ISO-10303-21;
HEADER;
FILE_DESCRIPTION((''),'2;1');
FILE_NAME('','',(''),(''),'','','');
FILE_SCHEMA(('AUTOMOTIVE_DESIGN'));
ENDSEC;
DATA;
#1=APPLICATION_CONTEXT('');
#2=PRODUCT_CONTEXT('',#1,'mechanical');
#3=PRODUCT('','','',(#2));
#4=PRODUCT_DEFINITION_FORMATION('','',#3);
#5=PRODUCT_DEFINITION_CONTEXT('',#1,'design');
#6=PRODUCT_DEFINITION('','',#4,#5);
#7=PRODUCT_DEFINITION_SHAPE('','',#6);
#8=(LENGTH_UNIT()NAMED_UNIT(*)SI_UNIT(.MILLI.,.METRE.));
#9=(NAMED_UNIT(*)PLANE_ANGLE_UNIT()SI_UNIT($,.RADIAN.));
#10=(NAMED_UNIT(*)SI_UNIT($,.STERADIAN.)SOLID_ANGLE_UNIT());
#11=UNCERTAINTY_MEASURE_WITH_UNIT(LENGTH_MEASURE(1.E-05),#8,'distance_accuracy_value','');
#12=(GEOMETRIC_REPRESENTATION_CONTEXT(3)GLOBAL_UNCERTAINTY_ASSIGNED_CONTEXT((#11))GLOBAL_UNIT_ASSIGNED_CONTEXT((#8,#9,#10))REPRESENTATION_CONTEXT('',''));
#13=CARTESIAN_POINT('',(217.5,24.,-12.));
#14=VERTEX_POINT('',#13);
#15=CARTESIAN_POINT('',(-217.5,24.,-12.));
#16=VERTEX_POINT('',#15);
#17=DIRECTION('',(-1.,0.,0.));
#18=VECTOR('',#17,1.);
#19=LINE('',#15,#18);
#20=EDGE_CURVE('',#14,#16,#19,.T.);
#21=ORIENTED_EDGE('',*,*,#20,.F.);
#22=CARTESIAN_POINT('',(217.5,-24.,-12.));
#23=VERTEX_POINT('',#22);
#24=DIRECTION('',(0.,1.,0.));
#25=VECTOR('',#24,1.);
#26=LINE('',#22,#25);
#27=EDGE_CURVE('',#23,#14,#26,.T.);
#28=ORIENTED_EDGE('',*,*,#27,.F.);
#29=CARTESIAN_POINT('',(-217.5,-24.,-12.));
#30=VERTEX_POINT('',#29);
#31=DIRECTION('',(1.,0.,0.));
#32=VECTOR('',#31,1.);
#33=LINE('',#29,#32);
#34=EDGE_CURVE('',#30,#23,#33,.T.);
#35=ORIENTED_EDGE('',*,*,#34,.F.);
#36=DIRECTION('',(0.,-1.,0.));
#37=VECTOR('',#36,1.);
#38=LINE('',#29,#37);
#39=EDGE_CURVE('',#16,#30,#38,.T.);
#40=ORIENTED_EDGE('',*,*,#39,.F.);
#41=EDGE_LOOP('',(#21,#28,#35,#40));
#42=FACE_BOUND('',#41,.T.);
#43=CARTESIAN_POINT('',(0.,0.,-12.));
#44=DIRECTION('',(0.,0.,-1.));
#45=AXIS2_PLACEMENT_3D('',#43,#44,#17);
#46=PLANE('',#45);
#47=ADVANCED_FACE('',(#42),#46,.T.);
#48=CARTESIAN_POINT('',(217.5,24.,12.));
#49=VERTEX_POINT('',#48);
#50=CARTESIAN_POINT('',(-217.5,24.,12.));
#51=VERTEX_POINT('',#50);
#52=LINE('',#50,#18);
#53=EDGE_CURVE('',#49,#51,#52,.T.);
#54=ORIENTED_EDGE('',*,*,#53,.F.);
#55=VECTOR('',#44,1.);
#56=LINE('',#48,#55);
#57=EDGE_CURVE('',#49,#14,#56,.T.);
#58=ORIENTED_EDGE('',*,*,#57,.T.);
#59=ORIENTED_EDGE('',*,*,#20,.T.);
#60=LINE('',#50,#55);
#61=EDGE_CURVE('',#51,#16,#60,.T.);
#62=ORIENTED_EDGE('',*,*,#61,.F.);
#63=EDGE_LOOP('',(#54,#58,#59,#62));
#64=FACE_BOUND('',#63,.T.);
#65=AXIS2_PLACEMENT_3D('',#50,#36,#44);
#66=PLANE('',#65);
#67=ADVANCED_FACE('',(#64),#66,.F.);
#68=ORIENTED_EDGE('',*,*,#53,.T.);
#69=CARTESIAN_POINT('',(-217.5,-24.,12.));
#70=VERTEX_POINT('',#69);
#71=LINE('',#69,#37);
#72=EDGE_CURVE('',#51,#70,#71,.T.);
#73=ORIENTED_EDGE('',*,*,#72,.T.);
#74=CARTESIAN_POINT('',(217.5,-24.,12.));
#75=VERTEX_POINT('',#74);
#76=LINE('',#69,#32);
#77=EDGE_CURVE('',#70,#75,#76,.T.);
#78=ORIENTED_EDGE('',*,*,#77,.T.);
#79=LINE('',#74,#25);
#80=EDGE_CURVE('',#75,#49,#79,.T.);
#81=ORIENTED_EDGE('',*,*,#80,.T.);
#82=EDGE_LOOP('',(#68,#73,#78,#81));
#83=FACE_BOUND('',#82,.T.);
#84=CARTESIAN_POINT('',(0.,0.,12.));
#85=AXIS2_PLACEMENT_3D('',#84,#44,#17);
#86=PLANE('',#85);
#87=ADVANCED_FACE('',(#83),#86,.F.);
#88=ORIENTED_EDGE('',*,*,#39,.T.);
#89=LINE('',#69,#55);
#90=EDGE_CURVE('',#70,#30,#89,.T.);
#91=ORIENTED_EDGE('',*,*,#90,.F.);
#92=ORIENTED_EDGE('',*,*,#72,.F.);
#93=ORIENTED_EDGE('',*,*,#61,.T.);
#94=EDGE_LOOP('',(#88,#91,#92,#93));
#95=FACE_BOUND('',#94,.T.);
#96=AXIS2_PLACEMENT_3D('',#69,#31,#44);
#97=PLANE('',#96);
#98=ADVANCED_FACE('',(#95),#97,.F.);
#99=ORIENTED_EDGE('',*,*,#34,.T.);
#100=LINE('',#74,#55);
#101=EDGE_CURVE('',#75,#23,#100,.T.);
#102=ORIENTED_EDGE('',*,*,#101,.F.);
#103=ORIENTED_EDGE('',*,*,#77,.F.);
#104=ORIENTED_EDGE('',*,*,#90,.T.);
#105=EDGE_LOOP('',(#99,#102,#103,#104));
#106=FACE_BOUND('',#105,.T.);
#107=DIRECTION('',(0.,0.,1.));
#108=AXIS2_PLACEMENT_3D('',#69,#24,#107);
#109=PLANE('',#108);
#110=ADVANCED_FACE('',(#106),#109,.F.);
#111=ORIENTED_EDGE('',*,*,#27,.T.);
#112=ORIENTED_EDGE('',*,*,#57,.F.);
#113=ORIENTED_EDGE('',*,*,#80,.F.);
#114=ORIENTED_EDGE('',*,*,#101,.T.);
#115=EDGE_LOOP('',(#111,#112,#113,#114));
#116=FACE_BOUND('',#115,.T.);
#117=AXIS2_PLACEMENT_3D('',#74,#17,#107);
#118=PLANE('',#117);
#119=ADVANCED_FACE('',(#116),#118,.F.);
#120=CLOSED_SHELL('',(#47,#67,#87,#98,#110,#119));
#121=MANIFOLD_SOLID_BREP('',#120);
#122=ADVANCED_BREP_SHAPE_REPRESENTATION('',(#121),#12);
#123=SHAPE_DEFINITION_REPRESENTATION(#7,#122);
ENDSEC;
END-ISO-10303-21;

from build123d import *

# Parameters (mm, degrees)
ESQUISSE1_W        = 435
ESQUISSE1_H        = 48
BOSS_EXTRU_1_DEPTH = 12


with BuildPart() as part:
    # Esquisse1 → Boss.-Extru.1 (new, symmetric)
    with BuildSketch(Plane.XY):
        Rectangle(ESQUISSE1_W, ESQUISSE1_H)
    extrude(amount=BOSS_EXTRU_1_DEPTH, both=True)


solid = part.part
